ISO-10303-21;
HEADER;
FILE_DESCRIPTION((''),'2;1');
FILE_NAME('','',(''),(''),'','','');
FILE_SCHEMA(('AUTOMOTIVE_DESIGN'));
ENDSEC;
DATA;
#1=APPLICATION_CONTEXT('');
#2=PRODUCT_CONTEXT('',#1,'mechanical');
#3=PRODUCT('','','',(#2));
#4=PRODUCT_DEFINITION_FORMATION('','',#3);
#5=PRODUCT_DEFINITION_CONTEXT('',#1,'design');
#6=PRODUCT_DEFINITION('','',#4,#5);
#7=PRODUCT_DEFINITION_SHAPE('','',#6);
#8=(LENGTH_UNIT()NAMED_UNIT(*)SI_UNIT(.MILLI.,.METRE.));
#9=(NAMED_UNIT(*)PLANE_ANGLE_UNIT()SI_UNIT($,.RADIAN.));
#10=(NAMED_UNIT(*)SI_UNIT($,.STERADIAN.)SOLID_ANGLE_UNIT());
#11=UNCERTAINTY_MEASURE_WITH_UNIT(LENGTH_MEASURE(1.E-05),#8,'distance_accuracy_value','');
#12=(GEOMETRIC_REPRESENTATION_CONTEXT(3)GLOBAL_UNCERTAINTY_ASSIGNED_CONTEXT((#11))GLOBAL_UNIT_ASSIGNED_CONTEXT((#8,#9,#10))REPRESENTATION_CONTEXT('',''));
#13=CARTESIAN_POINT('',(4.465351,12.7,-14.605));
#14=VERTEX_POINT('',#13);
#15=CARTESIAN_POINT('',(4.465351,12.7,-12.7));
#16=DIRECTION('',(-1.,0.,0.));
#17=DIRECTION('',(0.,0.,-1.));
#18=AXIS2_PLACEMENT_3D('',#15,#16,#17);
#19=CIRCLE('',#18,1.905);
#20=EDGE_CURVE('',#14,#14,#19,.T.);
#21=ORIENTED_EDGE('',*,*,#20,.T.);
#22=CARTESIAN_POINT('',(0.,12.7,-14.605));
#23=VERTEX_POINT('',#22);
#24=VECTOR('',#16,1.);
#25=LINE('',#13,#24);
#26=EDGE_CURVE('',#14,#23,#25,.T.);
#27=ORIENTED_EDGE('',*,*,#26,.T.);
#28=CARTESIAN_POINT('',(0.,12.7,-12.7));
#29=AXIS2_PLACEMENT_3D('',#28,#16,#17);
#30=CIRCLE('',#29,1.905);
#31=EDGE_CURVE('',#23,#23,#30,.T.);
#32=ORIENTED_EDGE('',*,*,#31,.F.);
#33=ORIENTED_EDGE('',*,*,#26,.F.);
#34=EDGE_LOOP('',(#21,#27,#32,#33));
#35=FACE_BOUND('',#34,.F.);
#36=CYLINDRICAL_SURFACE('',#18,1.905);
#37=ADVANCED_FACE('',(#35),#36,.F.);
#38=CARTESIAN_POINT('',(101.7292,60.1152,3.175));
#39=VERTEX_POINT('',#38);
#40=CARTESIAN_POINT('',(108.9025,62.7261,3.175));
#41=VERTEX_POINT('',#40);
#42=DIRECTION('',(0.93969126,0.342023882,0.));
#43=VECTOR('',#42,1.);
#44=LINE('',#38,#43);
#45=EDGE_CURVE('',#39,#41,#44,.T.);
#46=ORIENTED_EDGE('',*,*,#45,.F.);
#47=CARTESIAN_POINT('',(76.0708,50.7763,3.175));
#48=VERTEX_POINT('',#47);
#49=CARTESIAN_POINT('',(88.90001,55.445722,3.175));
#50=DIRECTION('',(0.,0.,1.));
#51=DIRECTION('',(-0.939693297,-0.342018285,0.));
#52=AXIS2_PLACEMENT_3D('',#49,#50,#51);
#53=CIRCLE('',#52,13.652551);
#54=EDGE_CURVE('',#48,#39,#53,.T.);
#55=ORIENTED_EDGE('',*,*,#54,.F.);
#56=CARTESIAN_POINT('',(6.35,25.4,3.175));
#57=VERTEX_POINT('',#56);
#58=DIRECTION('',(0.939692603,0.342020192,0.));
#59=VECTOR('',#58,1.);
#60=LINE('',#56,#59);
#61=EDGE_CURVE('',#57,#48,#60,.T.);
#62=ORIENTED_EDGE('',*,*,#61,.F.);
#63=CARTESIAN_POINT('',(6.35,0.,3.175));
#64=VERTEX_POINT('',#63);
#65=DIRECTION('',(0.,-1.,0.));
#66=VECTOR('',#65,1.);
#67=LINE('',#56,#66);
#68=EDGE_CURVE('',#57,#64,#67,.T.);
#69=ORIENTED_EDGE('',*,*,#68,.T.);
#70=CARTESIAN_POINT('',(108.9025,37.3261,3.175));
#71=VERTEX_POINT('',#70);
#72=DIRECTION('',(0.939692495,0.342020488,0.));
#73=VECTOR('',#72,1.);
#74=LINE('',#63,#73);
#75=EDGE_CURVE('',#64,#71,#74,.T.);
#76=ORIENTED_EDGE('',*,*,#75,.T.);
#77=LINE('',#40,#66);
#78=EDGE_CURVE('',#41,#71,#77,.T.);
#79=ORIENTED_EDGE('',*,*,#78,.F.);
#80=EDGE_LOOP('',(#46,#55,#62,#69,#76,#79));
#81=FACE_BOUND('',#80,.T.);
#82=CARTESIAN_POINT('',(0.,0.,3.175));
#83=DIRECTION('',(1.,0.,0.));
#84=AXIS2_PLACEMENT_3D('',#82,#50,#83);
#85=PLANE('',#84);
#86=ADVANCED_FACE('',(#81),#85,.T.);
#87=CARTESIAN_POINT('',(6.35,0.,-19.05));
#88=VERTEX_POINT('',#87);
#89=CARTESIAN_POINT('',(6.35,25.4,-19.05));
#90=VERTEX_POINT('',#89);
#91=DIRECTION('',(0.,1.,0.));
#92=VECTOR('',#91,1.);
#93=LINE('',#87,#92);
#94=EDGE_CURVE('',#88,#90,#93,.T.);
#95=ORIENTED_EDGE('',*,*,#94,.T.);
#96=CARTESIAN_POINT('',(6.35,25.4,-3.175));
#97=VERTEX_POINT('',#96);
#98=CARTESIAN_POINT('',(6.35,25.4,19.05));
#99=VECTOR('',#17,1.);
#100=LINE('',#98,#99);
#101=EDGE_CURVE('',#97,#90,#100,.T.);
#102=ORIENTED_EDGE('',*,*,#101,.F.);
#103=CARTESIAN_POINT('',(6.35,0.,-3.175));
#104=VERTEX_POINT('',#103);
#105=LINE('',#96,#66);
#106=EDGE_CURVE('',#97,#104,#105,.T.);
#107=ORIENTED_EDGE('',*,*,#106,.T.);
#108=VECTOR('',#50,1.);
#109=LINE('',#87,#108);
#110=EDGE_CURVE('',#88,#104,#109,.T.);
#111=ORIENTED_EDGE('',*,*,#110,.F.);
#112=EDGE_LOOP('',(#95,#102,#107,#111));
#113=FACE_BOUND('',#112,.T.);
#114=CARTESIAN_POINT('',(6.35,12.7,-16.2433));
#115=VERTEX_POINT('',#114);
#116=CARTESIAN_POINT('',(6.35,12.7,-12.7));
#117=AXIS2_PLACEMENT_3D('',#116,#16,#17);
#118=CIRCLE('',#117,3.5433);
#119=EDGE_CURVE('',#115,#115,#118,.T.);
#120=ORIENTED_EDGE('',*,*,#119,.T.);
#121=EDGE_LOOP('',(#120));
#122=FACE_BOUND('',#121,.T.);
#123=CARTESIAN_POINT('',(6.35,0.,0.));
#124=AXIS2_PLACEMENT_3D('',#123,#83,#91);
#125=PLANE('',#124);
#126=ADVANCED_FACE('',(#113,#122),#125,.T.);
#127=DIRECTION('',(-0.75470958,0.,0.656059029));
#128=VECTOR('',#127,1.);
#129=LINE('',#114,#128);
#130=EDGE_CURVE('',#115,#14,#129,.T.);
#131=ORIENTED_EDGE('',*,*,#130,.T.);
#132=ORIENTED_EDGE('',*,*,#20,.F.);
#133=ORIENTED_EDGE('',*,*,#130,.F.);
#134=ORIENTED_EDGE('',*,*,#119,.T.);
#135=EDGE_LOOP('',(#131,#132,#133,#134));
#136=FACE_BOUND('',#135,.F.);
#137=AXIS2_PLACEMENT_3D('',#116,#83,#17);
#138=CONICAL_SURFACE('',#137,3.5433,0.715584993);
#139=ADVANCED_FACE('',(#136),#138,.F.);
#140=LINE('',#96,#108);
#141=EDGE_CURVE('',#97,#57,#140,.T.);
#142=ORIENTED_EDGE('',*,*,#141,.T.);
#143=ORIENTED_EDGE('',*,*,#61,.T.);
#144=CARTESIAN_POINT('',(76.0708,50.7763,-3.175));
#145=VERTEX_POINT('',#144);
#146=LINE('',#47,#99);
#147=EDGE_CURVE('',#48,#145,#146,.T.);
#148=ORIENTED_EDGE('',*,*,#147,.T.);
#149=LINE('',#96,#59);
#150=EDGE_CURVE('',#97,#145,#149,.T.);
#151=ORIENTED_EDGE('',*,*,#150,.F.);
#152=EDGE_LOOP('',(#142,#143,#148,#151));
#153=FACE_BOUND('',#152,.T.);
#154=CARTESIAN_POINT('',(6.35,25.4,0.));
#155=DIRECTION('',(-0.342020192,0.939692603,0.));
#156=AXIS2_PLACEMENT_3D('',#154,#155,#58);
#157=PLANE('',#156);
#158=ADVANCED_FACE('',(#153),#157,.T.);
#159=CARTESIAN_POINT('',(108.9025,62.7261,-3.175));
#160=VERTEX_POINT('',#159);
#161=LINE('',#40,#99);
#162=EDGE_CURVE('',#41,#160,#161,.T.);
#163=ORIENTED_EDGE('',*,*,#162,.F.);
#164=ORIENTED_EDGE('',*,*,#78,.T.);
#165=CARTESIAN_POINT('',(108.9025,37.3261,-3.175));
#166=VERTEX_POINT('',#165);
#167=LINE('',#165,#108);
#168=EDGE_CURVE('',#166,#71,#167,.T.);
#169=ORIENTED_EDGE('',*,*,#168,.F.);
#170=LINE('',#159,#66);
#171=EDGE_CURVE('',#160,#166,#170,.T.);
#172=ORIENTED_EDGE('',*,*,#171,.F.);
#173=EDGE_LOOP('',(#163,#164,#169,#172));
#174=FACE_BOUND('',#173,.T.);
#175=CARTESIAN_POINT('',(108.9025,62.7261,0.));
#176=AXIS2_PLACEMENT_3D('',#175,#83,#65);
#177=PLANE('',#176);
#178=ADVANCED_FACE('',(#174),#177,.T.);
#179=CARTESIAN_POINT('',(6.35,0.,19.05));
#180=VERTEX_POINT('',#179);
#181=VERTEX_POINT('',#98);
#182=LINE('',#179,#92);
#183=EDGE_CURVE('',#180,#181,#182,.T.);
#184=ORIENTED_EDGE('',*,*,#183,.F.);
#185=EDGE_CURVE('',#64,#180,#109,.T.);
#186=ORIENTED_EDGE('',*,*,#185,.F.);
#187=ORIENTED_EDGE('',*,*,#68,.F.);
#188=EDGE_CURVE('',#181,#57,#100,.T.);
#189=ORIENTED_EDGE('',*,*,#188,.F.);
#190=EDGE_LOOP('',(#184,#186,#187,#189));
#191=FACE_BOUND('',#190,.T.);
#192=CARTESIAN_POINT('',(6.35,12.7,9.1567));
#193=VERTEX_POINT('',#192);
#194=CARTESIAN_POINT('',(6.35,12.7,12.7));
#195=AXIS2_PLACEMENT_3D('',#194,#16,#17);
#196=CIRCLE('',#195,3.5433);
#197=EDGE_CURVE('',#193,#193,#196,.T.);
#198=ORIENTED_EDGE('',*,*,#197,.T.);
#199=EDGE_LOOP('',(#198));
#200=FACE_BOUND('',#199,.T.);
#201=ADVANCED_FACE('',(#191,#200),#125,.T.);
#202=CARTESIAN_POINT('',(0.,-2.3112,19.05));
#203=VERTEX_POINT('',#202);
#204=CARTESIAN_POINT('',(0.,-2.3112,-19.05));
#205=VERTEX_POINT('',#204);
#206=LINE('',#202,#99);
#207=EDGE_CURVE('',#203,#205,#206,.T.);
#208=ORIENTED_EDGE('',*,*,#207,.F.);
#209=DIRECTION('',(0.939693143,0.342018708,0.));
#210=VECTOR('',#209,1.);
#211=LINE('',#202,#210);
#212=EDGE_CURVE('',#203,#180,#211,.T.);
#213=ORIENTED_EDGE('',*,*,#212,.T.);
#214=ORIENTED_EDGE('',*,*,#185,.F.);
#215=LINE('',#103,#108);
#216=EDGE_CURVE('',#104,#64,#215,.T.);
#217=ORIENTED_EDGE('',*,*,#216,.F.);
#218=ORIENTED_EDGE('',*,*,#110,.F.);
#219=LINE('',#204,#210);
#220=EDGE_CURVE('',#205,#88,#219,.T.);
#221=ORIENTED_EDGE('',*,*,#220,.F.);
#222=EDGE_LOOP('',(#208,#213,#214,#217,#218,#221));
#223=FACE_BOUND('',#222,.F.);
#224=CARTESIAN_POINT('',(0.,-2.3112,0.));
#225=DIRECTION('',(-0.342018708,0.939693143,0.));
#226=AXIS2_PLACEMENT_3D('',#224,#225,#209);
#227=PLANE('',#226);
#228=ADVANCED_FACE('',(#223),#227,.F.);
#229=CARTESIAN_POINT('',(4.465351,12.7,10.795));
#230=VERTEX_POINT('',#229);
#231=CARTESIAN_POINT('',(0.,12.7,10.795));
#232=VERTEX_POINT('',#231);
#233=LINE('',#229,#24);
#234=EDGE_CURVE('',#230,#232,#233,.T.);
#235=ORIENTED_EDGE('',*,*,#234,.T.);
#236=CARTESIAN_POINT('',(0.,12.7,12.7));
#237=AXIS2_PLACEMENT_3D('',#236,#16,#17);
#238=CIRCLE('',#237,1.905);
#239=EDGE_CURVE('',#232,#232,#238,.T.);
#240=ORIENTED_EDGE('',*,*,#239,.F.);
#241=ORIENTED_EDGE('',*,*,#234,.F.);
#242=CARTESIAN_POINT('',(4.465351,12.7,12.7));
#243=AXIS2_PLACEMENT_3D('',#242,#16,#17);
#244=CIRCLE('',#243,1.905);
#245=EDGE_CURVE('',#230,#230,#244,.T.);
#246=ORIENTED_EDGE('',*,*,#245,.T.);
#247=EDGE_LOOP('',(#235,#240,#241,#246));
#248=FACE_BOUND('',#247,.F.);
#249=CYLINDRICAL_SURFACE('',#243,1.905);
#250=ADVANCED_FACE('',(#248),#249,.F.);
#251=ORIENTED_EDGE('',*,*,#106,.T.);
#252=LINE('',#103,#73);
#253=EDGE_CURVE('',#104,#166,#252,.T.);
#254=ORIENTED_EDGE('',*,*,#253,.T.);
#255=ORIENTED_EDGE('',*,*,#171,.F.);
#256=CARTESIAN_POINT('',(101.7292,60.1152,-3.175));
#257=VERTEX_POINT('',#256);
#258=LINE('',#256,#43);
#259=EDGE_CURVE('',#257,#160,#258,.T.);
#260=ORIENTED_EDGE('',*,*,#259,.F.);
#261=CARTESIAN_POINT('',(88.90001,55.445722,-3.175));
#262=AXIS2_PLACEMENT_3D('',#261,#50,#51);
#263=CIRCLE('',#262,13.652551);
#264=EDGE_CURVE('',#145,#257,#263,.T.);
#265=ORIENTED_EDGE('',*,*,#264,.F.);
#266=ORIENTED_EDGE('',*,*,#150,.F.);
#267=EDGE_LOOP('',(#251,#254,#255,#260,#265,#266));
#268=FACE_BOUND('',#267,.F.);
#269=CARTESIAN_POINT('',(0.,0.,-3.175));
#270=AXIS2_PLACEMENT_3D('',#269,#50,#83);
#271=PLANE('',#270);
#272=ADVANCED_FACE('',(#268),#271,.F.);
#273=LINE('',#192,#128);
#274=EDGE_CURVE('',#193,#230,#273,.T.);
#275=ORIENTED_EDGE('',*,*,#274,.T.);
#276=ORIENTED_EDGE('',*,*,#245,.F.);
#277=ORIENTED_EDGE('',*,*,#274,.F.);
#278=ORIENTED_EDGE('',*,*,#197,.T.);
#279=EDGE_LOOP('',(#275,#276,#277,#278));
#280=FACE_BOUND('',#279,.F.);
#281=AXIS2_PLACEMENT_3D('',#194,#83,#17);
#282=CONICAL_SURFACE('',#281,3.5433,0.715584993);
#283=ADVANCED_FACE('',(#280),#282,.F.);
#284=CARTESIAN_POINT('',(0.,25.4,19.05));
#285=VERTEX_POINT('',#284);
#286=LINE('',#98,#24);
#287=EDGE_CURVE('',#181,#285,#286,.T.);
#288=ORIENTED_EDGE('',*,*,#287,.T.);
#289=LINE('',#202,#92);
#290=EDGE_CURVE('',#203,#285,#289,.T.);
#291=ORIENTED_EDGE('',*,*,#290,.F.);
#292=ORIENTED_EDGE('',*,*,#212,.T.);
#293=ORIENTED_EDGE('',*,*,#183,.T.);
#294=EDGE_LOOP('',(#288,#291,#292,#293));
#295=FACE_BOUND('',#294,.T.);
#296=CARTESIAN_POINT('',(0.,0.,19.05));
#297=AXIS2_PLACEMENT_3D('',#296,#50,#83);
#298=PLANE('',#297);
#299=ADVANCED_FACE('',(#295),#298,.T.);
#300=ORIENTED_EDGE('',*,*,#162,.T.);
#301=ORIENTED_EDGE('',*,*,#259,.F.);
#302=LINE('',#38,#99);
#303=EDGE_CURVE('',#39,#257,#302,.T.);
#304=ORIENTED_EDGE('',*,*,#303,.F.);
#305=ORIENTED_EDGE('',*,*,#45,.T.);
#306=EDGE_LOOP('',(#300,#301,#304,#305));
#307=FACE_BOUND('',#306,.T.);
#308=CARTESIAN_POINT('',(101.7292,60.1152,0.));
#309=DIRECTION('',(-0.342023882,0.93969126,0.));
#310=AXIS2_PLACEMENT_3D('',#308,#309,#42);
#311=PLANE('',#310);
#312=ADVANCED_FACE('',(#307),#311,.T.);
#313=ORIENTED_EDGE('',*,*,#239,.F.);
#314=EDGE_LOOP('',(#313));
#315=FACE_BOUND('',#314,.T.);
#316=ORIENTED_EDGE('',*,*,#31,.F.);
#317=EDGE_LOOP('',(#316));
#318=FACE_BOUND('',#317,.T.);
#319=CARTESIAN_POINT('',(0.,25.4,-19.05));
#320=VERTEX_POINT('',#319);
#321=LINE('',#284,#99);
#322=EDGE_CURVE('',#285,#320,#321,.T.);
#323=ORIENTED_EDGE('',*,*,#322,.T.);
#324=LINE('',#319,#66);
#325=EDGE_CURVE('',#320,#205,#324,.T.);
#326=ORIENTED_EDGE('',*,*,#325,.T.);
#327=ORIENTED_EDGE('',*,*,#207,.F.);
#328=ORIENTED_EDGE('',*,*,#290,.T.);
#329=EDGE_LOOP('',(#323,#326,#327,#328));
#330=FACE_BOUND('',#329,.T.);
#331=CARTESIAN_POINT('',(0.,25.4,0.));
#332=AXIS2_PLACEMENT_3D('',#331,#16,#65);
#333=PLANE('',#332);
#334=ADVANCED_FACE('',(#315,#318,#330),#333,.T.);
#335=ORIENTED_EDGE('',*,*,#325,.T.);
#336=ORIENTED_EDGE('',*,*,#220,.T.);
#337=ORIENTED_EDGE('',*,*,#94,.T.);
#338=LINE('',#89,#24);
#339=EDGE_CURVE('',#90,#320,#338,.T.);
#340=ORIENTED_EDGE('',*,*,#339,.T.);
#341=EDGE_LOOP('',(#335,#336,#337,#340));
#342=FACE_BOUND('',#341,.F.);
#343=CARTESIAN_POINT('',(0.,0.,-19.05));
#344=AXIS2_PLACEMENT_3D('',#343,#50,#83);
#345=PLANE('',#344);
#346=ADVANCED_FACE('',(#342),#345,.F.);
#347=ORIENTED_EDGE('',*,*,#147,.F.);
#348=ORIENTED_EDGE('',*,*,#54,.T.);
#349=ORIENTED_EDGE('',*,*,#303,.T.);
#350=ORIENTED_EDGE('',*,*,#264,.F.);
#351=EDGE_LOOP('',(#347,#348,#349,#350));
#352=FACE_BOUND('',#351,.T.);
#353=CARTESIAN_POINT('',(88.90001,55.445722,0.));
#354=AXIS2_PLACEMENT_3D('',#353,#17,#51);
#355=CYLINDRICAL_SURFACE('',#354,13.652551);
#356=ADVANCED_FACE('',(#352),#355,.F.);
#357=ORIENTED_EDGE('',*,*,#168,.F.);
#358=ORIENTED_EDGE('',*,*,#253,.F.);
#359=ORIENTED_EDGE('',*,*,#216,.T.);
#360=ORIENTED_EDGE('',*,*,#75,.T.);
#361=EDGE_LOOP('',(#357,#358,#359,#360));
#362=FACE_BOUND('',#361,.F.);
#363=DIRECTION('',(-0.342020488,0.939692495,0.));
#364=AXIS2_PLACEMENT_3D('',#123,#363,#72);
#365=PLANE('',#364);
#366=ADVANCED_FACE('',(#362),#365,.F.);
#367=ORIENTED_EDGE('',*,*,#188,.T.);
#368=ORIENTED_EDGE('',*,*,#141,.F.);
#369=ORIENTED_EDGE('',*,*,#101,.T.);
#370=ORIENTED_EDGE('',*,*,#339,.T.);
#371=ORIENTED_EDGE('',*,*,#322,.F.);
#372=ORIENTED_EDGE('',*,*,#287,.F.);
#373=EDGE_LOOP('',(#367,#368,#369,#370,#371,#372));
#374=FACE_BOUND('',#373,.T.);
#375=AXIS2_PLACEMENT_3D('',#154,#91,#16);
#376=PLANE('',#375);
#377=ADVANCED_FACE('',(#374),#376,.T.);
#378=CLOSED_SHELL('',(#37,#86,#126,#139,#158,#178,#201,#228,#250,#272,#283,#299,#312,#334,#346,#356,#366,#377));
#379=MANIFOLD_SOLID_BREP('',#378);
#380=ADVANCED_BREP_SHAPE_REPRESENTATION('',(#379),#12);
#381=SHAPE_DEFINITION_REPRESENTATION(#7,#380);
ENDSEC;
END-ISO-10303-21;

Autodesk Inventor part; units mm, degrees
ref_plane "YZ Plane" through (0, 0, 0) normal (1, 0, 0) x (0, 1, 0)
ref_plane "XZ Plane" through (0, 0, 0) normal (0, 1, 0) x (-1, 0, 0)
ref_plane "XY Plane" through (0, 0, 0) normal (0, 0, 1) x (1, 0, 0)
sketch "Sketch5" plane through (0, 0, 0) normal (0, 0, 1) x (1, 0, 0)
  line L0 (0, 0) -> (6.35, 0)
  line L1 (6.35, 0) -> (6.35, 25.4)
  line L2 (6.35, 25.4) -> (0, 25.4)
  line L3 (0, 25.4) -> (0, 0)
  dimension "d21" = 25.4
  dimension "d22" = 6.35
extrude "Extrusion3" add sketch "Sketch5" against normal mid plane 38.1
sketch "Sketch6" plane through (0, 0, 0) normal (0, 0, 1) x (1, 0, 0)
  line L0 (6.35, 25.4) -> (6.35, 0) projected
  line L1 (0, 25.4) -> (6.35, 25.4) projected
  line L2 (6.35, 0) -> (0, 0) projected
  line L3 (0, 0) -> (0, 25.4) projected
  line L4 (6.35, 0) -> (108.9025, 37.3261)
  line L5 (6.35, 0) -> (115.4841, 0) construction
  line L6 (108.9025, 62.7261) -> (108.9025, 37.3261)
  arc A0 (76.0708, 50.7763) -> (101.7292, 60.1152) centre (88.9, 55.4457) ccw
  line L7 (6.35, 25.4) -> (76.0708, 50.7763)
  line L8 (101.7292, 60.1152) -> (108.9025, 62.7261)
  dimension "d25" = 20
  dimension "d26" = 27.305
  dimension "d29" = 6.35
  dimension "d30" = 88.9
  dimension "d33" = 0
extrude "Extrusion4" add sketch "Sketch6" along normal mid plane 6.35 contours L7 A0 L8 L6 L4 L0
sketch "Sketch7" plane through (6.35, 0, 19.05) normal (1, 0, 0) x (0, 0, -1)
  line L0 (38.1, 25.4) -> (0, 25.4) construction
  line L1 (6.35, 25.4) -> (6.35, 0) construction
  line L2 (31.75, 25.4) -> (31.75, 0) construction
  line L3 (0, 0) -> (0, 25.4) construction
  line L4 (38.1, 25.4) -> (38.1, 0) construction
  line L5 (0, 0) -> (15.875, 0) projected
  line L6 (22.225, 0) -> (38.1, 0) projected
  point P0 (19.05, 0)
  point P1 (6.35, 12.7)
  point P2 (31.75, 12.7)
  dimension "d34" = 6.35
  dimension "d35" = 6.35
sketch "Sketch8" plane through (0, 0, 0) normal (0, 0, 1) x (1, 0, 0)
  line L0 (0, 0) -> (0, 25.4) projected
  line L1 (6.35, 0) -> (0, 0) projected
  line L2 (108.9025, 37.3261) -> (6.35, 0) projected
  line L3 (0, 0) -> (6.35, 0)
  line L4 (0, -2.3112) -> (6.35, 0)
  line L5 (0, 0) -> (0, -2.3112)
extrude "Extrusion5" add sketch "Sketch8" along normal mid plane 38.1
hole "Hole3" at (6.35, 12.7, 12.7) at (6.35, 12.7, -12.7) direction (-1, 0, 0) diameter 3.81 end through all countersink diameter 7.0866 countersink angle 82 clearance for "Flat Head Machine Screw (82)" size "#6" standard "Ansi Unified Screw Threads"
equation "\"d21\" = supportHeight"
equation "\"d22\" = supportWidth"
equation "\"d23\" = totalScrewHoldWidth"
equation "\"d25\" = supportAngle"
equation "\"d26\" = pipeDiameter"
equation "\"d30\" = distanceFromWallToPipeCenter"
equation "\"d31\" = supportWidth"
equation "\"d47\" = totalScrewHoldWidth"
equation "\"pipeDiameter\" = 27.305"
equation "\"distanceFromWallToPipeCenter\" = 88.9"
equation "\"supportHeight\" = 25.4"
equation "\"supportWidth\" = 6.35"
equation "\"screwHoldDepth\" = 6.35"
equation "\"totalScrewHoldWidth\" = 38.1"
equation "\"screwPositionFromTop\" = 6.35"
equation "\"supportAngle\" = 20deg"
properties part number "PipeSupport-3_50-020"
